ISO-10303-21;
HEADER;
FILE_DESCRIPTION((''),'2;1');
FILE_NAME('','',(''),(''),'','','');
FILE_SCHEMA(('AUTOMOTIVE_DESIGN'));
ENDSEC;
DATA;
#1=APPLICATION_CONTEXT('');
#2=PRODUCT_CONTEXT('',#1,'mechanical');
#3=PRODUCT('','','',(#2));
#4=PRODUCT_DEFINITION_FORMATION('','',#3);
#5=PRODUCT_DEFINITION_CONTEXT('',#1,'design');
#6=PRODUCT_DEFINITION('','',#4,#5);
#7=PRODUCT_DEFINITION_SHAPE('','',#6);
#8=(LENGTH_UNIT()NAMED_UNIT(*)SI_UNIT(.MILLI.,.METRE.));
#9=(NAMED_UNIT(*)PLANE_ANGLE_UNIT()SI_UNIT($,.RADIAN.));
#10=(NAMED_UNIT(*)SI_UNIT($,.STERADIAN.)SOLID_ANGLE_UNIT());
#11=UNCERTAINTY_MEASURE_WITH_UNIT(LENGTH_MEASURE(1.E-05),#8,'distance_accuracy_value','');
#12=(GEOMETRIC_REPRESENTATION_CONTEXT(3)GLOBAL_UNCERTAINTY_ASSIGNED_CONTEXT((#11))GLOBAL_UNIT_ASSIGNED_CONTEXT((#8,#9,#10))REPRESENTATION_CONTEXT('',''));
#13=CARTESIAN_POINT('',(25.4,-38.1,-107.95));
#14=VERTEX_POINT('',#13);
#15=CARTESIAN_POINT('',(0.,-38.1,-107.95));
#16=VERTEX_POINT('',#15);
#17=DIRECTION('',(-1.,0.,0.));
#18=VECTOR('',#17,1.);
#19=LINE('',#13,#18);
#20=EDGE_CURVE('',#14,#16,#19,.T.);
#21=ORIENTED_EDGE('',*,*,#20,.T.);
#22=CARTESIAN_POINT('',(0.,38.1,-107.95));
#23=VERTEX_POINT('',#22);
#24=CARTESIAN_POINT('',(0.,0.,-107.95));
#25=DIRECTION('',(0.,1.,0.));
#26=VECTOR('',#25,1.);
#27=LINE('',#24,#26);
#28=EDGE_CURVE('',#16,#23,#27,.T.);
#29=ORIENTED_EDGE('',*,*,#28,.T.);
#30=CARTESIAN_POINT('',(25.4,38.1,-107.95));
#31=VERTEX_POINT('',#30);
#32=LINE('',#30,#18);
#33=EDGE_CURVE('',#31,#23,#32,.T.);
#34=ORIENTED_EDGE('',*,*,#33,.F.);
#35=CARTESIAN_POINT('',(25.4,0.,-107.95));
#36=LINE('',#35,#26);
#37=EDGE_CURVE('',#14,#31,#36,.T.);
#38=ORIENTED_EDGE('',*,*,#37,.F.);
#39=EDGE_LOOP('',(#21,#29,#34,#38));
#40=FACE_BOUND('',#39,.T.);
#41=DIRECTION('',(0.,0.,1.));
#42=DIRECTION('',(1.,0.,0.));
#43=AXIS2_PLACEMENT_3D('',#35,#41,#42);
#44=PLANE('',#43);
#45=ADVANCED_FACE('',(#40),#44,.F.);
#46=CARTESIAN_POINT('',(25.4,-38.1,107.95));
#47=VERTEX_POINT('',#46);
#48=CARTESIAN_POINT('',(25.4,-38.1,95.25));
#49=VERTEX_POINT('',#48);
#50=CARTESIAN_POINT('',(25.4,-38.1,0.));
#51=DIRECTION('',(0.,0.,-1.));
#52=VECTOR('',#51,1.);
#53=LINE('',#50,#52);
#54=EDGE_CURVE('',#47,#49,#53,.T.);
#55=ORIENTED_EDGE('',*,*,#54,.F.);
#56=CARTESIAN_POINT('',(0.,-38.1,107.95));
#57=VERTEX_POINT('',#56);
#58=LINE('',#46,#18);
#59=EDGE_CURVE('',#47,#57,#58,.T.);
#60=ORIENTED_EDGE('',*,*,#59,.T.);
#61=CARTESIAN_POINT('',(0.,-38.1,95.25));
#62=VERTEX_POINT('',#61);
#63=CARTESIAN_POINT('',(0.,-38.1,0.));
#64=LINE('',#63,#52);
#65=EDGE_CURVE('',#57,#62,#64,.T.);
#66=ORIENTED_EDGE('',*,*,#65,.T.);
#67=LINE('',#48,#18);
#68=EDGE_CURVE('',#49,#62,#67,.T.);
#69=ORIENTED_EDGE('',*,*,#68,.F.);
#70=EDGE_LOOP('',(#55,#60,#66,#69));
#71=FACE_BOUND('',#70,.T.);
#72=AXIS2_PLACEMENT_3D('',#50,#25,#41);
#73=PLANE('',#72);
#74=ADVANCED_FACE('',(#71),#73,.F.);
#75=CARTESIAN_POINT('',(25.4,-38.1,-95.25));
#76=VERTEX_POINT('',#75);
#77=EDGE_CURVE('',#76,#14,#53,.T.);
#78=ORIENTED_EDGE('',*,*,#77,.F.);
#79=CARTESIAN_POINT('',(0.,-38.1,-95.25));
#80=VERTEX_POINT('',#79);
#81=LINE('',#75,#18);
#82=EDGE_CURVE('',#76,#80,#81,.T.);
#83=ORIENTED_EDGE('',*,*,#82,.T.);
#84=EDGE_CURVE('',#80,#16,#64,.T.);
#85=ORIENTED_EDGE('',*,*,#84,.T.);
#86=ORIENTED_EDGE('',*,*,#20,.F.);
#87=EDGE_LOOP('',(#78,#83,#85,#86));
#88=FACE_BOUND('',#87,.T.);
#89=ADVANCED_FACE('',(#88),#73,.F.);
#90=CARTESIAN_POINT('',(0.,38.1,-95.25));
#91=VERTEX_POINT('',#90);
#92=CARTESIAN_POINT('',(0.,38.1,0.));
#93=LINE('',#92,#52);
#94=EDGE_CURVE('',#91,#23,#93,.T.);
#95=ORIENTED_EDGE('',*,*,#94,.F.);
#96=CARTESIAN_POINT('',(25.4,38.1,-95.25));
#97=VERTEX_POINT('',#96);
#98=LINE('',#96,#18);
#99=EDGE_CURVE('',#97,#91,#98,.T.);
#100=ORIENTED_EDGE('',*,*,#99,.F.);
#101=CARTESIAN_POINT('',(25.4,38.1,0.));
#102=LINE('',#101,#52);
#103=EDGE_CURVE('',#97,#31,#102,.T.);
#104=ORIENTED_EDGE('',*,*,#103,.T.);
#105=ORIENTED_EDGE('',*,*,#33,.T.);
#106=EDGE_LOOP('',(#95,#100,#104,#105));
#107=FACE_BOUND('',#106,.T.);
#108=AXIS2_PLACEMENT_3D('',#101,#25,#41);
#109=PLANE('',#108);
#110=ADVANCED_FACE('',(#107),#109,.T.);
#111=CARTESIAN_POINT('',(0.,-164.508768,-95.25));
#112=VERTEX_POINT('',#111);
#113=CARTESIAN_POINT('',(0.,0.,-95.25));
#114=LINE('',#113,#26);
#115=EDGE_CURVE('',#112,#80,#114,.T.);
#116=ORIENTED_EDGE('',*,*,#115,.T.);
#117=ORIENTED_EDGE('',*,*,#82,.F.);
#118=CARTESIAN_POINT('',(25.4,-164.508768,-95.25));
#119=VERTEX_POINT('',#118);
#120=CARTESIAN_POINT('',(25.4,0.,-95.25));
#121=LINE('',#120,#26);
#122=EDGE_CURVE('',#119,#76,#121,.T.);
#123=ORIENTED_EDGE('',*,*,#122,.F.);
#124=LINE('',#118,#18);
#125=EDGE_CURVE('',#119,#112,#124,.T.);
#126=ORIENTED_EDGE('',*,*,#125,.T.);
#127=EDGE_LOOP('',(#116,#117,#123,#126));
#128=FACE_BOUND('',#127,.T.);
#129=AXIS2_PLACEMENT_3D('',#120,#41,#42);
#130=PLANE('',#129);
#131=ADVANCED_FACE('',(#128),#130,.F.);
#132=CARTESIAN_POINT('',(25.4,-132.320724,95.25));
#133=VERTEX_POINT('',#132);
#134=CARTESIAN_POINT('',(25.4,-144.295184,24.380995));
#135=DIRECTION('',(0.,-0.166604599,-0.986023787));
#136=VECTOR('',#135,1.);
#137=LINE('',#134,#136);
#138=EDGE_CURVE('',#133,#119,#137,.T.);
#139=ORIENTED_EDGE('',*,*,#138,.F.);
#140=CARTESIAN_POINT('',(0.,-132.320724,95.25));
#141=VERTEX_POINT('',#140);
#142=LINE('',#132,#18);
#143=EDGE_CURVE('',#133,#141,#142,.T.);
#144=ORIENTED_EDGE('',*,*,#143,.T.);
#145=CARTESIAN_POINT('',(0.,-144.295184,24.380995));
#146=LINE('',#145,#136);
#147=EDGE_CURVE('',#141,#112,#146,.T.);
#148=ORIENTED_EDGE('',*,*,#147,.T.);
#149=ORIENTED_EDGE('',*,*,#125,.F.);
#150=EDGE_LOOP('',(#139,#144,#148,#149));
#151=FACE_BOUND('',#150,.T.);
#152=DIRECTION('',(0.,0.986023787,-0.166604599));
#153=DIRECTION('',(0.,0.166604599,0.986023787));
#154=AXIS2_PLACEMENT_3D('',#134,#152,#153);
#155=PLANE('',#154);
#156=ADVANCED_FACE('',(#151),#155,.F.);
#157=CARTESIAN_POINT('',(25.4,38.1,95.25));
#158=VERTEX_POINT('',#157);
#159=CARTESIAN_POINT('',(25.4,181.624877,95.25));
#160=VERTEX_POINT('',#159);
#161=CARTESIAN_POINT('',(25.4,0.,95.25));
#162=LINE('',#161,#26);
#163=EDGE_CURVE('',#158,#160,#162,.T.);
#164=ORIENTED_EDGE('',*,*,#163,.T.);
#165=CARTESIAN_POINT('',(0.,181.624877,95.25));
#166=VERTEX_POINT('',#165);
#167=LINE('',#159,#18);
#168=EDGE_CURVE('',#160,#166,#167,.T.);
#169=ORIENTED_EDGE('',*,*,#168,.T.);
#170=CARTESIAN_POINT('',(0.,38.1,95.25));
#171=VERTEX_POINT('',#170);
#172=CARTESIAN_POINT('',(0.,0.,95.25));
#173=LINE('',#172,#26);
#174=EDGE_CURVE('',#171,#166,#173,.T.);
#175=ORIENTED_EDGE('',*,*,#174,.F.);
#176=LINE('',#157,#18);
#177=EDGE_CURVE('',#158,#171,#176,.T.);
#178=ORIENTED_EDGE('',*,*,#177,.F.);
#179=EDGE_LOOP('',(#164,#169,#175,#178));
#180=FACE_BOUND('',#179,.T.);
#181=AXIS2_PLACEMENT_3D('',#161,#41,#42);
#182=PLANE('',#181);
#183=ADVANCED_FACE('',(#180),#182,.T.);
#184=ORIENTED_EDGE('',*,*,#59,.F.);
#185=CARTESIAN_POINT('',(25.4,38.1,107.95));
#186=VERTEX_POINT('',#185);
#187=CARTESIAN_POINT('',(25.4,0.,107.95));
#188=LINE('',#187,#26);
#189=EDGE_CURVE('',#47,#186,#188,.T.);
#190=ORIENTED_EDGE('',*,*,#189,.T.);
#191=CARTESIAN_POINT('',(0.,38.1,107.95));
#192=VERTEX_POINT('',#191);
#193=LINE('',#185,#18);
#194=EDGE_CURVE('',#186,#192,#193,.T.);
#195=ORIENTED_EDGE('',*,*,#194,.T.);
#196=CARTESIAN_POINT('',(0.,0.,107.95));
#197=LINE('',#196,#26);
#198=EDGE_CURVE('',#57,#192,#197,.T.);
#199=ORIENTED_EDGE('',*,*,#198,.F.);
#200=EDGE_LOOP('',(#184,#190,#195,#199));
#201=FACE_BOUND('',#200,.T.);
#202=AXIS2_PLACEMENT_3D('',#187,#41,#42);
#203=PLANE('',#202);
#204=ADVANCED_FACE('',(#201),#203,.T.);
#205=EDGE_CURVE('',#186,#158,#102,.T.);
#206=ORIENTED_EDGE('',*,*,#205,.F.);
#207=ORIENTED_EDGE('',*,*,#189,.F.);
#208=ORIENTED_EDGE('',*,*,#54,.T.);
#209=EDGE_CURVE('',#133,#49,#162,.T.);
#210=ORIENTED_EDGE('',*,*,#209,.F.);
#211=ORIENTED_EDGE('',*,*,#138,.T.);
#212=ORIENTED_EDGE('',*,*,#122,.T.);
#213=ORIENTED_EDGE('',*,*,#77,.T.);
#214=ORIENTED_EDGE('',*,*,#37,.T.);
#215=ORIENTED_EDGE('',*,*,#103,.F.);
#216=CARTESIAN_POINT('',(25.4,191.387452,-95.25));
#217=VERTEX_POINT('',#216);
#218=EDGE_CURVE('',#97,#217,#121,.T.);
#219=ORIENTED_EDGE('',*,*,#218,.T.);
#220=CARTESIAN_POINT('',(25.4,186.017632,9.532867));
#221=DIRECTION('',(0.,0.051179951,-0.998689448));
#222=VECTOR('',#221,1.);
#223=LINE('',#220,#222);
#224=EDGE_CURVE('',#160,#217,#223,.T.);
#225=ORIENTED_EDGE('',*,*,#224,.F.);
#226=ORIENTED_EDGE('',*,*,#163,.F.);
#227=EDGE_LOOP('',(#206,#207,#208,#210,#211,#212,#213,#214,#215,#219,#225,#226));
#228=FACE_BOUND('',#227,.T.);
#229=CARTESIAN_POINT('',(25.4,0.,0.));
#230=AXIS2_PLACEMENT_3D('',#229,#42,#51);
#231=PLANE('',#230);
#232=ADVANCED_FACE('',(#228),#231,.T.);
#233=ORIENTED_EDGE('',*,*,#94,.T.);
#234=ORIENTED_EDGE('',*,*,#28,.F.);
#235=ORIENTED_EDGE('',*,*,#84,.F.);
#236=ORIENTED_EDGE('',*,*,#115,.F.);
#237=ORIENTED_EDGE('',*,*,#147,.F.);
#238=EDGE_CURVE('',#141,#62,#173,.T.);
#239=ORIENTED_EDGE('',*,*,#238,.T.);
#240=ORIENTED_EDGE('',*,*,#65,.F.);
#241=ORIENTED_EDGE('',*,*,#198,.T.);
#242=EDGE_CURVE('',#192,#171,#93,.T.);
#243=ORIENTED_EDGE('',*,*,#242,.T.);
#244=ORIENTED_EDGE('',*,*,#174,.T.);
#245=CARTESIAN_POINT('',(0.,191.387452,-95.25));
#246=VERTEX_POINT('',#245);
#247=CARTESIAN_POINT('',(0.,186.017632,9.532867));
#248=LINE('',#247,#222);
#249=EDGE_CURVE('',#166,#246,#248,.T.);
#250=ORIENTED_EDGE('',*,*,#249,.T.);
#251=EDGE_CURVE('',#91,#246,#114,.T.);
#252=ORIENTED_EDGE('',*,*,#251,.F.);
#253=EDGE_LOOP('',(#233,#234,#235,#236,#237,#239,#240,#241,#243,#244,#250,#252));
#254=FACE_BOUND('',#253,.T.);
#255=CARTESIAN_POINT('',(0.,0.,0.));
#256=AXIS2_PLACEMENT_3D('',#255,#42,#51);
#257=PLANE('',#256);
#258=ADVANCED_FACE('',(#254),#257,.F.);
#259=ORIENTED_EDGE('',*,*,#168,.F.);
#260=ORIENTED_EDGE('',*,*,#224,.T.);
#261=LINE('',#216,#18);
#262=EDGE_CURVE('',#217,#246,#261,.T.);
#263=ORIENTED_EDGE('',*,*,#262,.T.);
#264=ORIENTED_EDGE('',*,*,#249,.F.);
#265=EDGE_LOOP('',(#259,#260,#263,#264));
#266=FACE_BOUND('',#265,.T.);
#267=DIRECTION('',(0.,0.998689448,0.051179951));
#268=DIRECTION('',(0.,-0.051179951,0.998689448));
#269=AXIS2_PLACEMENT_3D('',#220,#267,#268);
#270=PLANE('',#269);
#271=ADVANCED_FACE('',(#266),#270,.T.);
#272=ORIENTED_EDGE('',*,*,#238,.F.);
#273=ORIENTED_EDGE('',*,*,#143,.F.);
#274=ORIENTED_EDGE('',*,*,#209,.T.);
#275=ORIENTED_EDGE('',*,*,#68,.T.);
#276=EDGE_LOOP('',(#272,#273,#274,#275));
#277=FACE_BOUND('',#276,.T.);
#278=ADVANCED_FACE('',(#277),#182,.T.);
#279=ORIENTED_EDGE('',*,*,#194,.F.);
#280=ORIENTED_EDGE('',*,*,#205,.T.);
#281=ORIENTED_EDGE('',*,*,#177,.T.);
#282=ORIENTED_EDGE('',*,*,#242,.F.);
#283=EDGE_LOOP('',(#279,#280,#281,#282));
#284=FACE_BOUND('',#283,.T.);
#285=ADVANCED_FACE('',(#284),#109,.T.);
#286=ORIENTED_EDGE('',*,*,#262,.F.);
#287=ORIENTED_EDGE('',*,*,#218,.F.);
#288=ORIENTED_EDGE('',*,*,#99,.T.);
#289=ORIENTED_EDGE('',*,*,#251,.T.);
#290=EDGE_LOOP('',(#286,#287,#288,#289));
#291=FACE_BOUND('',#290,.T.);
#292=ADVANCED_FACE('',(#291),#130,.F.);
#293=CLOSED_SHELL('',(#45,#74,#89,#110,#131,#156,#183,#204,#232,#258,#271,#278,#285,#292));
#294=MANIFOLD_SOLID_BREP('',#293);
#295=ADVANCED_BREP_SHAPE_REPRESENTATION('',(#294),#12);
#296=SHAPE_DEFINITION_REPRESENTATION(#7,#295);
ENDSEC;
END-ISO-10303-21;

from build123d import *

# Parameters (mm, degrees)
SKETCH1_W           = 12.7
SKETCH1_H           = 76.2
SKETCH1_W_2         = 190.5
BOSS_EXTRUDE1_DEPTH = 25.4


with BuildPart() as part:
    # Sketch1 → Boss-Extrude1 (new body)
    with BuildSketch(Plane(origin=(0, 0, 0), x_dir=(0, 0, -1), z_dir=(1, 0, 0))):
        Polygon((95.25, 191.38745187), (-95.25, 181.62487678), (-95.25, 38.1), (95.25, 38.1), align=None)
        with Locations((101.6, 0)):
            Rectangle(SKETCH1_W, SKETCH1_H)
        Rectangle(SKETCH1_W_2, SKETCH1_H)
        with Locations((-101.6, 0)):
            Rectangle(SKETCH1_W, SKETCH1_H)
        Polygon((95.25, -38.1), (-95.25, -38.1), (-95.25, -132.320724436), (95.25, -164.508767502), align=None)
    extrude(amount=BOSS_EXTRUDE1_DEPTH)


solid = part.part
